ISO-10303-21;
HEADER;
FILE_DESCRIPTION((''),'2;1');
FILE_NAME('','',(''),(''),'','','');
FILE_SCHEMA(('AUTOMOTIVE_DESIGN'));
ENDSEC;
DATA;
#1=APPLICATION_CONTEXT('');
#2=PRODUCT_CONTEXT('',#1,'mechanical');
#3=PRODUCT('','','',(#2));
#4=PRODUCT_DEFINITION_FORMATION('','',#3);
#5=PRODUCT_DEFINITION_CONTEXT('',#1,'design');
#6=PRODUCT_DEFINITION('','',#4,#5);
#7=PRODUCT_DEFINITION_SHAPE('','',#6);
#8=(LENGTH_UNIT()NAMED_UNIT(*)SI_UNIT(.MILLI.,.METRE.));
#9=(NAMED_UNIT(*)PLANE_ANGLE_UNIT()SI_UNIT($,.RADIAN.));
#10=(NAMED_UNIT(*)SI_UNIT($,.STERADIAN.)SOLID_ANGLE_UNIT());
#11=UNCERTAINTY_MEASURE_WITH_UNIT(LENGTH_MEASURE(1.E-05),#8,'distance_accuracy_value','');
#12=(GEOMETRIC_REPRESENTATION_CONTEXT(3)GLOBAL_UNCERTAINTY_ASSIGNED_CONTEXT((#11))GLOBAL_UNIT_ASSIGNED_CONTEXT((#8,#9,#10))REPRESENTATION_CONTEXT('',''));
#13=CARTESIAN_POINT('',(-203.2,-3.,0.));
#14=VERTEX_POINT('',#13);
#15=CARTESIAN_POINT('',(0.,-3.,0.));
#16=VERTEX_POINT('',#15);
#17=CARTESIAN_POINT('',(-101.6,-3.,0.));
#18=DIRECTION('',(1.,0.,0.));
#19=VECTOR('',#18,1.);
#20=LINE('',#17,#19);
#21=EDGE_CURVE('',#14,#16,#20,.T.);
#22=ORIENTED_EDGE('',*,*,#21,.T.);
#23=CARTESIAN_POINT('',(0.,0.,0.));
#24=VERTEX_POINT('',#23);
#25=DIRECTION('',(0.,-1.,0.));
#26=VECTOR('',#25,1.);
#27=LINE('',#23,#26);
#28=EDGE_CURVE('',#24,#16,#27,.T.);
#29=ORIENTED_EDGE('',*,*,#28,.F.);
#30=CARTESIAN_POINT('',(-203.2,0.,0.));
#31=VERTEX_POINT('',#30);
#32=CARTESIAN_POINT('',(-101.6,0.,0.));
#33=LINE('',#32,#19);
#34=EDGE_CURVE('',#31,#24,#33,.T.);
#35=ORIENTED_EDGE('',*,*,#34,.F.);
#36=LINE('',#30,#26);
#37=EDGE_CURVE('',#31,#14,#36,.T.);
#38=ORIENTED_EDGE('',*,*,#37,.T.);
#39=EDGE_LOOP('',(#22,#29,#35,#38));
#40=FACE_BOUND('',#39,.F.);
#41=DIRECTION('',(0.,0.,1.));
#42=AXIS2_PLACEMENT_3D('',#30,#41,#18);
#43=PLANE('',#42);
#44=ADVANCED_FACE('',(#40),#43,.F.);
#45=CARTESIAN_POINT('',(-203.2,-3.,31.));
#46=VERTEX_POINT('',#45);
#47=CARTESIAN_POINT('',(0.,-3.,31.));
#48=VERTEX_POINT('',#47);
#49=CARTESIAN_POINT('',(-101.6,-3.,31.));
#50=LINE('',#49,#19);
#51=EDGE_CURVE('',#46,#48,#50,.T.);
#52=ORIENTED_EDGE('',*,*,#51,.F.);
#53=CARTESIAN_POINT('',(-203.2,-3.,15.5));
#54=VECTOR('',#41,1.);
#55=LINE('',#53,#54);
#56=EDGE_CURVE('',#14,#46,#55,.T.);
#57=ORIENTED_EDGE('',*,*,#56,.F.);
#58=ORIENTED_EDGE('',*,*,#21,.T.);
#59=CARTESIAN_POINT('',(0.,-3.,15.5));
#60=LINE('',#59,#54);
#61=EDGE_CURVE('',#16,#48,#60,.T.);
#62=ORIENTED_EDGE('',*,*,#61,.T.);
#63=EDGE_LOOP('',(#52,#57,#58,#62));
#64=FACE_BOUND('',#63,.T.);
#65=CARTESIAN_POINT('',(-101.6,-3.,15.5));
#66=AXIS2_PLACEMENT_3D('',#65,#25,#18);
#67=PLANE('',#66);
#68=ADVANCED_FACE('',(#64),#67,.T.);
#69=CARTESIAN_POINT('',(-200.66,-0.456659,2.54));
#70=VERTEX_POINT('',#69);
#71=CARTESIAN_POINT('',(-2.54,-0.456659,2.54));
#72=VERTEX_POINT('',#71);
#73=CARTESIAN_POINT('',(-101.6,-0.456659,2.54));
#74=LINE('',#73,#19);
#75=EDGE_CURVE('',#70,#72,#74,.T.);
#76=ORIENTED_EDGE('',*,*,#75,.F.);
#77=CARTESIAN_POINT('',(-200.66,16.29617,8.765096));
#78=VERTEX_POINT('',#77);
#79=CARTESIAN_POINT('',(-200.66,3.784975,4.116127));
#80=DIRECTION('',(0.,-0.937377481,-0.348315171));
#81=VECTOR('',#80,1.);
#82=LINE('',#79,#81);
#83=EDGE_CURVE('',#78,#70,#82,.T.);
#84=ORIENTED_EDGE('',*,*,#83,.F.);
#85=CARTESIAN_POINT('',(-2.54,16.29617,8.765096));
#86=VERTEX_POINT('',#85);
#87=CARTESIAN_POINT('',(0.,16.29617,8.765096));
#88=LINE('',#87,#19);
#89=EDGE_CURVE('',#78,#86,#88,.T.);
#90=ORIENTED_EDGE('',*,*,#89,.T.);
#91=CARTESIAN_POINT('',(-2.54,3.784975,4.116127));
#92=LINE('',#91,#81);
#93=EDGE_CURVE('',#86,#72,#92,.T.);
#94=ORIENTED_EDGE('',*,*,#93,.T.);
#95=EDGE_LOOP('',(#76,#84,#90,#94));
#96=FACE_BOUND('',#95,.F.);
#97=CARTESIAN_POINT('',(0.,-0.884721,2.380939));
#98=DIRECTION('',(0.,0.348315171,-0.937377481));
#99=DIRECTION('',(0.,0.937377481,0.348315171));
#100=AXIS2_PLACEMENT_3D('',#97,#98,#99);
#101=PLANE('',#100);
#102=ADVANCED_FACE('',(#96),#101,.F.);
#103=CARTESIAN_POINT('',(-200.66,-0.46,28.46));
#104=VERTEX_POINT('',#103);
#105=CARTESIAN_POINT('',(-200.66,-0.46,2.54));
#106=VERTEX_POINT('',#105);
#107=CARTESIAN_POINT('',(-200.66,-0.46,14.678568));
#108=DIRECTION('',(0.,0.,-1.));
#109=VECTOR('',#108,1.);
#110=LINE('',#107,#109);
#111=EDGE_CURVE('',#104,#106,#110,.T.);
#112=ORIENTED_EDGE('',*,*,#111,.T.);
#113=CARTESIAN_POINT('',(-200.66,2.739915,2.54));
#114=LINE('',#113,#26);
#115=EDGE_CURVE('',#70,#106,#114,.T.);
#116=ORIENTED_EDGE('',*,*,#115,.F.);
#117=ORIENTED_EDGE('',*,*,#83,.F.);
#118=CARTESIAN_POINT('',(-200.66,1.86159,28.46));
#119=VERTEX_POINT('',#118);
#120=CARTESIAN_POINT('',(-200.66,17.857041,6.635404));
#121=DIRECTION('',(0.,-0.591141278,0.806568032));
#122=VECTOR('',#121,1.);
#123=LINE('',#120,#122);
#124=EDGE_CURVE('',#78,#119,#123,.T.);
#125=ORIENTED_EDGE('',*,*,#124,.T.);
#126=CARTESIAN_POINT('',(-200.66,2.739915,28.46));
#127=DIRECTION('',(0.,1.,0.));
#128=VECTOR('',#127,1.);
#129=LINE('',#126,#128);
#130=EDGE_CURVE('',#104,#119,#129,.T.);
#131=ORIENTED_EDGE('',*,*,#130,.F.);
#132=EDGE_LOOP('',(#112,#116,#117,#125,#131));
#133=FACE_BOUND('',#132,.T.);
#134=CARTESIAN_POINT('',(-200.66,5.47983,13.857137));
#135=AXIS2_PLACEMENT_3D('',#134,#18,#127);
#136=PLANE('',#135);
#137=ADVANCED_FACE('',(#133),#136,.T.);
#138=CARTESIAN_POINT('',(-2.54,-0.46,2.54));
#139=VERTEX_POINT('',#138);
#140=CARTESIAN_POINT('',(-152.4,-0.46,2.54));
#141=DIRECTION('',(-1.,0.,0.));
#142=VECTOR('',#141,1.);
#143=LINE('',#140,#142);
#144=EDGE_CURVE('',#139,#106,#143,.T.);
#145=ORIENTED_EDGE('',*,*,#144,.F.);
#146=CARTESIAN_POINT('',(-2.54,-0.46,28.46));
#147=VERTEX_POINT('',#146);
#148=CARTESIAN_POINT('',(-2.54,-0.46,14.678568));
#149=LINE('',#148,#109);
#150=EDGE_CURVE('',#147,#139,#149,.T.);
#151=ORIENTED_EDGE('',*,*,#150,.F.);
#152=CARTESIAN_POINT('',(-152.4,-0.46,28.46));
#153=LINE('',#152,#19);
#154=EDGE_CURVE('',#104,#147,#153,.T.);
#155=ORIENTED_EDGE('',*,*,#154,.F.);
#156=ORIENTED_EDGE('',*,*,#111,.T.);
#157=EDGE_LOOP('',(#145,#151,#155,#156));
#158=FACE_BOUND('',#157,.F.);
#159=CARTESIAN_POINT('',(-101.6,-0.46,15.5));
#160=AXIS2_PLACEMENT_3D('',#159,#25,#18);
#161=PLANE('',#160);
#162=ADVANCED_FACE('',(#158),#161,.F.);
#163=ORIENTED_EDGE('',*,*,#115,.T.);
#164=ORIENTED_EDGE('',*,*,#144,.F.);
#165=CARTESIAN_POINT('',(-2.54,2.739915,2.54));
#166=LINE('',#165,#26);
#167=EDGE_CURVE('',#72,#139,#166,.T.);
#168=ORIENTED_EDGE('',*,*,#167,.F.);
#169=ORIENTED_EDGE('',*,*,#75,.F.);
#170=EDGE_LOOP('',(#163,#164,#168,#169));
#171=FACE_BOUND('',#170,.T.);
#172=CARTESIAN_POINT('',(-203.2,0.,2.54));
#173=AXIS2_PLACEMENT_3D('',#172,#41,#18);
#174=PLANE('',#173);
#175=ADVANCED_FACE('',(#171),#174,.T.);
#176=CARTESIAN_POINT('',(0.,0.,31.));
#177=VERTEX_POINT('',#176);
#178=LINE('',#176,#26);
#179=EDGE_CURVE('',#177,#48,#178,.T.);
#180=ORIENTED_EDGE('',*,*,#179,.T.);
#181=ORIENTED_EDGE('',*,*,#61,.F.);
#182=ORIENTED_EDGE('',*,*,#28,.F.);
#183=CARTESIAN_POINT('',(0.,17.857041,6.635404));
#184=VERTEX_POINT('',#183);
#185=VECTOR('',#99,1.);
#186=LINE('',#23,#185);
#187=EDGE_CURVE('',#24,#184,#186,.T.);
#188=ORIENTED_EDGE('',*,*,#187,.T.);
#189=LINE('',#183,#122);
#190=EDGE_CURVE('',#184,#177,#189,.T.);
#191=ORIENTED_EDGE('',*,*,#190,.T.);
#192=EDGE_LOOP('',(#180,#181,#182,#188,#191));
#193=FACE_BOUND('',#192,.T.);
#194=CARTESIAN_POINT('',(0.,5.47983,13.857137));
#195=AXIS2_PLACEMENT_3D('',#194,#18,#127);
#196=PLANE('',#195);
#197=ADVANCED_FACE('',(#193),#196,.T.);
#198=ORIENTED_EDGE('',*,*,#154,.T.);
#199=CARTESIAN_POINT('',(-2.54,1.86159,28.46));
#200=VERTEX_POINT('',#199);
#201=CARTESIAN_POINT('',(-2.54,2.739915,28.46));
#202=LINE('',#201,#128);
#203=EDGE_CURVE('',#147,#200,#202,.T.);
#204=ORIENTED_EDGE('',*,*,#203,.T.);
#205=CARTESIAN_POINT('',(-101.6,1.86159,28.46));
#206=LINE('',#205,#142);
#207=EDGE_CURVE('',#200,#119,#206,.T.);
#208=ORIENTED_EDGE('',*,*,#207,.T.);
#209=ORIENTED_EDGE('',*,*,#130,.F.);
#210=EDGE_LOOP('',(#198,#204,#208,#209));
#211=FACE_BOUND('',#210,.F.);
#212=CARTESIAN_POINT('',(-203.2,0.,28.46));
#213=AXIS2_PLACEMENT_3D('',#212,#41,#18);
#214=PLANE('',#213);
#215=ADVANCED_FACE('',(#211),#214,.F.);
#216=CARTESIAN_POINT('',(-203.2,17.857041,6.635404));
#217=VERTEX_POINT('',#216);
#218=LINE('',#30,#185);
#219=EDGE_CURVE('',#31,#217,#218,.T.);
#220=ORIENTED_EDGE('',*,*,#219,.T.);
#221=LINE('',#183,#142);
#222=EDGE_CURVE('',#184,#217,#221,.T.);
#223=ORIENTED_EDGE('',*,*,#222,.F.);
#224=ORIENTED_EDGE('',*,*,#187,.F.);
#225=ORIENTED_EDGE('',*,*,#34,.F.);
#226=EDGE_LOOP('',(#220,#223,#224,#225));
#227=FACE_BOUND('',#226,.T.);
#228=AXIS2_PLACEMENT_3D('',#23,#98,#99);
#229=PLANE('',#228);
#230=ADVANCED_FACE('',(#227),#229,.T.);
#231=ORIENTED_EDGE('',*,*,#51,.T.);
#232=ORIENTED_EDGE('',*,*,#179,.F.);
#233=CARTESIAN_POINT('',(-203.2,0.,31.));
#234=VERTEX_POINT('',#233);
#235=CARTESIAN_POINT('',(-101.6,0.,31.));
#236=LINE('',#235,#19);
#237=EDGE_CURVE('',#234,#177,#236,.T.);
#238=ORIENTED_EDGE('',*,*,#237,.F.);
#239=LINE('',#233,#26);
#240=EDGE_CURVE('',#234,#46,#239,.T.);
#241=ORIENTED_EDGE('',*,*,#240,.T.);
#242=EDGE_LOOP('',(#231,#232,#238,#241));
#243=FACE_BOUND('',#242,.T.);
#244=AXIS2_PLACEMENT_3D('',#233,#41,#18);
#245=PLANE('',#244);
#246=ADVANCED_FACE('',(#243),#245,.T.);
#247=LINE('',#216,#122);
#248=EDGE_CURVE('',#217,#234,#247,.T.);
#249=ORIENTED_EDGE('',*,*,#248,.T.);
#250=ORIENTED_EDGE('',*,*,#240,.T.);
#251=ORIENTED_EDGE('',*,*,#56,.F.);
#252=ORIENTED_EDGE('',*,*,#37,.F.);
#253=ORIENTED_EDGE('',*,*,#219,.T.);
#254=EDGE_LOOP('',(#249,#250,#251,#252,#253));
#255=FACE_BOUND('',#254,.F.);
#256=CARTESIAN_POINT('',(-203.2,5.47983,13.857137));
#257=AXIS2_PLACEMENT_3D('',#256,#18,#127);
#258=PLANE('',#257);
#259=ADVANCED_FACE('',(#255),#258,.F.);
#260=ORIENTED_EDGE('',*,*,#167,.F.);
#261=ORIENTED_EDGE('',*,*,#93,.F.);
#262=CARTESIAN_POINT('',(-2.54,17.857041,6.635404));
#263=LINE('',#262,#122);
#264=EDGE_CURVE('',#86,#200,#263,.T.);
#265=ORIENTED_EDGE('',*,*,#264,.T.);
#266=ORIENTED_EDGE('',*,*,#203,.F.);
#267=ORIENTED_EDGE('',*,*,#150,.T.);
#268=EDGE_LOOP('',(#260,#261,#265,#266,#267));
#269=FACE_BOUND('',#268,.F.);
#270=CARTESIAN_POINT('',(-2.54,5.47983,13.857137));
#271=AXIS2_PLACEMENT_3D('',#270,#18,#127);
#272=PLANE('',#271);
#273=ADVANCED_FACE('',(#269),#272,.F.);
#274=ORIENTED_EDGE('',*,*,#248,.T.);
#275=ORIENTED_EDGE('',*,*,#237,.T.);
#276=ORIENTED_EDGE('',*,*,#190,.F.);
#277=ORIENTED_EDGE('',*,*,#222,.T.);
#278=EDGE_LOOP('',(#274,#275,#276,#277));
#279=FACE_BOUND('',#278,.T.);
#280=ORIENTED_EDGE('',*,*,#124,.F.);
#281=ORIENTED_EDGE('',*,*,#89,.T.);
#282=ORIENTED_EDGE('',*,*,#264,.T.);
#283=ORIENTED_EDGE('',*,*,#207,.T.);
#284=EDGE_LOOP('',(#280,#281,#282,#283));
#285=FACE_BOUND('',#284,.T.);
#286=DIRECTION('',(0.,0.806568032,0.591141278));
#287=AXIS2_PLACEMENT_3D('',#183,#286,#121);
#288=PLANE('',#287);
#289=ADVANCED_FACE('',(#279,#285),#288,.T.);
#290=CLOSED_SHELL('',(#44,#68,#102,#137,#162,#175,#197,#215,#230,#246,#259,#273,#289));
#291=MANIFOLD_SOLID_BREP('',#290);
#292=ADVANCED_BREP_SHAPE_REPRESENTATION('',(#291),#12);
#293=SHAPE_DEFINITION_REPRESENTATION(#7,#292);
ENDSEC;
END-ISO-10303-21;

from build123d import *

# Parameters (mm, degrees)
F0_W     = 203.2
F0_H     = 31
F1_DEPTH = 3
F3_DEPTH = 203.2
F4_T     = -2.54


with BuildPart() as f1:
    # F0 (on Front) → F1 (new body)
    with BuildSketch(Plane.XZ):
        with Locations((-101.6, 15.5)):
            Rectangle(F0_W, F0_H)
    extrude(amount=F1_DEPTH)

    # F2 (on face) → F3 (join)
    with BuildSketch(Plane.YZ):
        Polygon((0, 31), (0, 0), (17.857041, 6.635404), align=None)
    extrude(amount=-F3_DEPTH)

    # F4
    f4_openings = [f1.faces().sort_by_distance(p)[0] for p in [
        (-101.6, 8.928521, 18.817702),
    ]]
    offset(amount=F4_T, openings=f4_openings)


solid = f1.part
